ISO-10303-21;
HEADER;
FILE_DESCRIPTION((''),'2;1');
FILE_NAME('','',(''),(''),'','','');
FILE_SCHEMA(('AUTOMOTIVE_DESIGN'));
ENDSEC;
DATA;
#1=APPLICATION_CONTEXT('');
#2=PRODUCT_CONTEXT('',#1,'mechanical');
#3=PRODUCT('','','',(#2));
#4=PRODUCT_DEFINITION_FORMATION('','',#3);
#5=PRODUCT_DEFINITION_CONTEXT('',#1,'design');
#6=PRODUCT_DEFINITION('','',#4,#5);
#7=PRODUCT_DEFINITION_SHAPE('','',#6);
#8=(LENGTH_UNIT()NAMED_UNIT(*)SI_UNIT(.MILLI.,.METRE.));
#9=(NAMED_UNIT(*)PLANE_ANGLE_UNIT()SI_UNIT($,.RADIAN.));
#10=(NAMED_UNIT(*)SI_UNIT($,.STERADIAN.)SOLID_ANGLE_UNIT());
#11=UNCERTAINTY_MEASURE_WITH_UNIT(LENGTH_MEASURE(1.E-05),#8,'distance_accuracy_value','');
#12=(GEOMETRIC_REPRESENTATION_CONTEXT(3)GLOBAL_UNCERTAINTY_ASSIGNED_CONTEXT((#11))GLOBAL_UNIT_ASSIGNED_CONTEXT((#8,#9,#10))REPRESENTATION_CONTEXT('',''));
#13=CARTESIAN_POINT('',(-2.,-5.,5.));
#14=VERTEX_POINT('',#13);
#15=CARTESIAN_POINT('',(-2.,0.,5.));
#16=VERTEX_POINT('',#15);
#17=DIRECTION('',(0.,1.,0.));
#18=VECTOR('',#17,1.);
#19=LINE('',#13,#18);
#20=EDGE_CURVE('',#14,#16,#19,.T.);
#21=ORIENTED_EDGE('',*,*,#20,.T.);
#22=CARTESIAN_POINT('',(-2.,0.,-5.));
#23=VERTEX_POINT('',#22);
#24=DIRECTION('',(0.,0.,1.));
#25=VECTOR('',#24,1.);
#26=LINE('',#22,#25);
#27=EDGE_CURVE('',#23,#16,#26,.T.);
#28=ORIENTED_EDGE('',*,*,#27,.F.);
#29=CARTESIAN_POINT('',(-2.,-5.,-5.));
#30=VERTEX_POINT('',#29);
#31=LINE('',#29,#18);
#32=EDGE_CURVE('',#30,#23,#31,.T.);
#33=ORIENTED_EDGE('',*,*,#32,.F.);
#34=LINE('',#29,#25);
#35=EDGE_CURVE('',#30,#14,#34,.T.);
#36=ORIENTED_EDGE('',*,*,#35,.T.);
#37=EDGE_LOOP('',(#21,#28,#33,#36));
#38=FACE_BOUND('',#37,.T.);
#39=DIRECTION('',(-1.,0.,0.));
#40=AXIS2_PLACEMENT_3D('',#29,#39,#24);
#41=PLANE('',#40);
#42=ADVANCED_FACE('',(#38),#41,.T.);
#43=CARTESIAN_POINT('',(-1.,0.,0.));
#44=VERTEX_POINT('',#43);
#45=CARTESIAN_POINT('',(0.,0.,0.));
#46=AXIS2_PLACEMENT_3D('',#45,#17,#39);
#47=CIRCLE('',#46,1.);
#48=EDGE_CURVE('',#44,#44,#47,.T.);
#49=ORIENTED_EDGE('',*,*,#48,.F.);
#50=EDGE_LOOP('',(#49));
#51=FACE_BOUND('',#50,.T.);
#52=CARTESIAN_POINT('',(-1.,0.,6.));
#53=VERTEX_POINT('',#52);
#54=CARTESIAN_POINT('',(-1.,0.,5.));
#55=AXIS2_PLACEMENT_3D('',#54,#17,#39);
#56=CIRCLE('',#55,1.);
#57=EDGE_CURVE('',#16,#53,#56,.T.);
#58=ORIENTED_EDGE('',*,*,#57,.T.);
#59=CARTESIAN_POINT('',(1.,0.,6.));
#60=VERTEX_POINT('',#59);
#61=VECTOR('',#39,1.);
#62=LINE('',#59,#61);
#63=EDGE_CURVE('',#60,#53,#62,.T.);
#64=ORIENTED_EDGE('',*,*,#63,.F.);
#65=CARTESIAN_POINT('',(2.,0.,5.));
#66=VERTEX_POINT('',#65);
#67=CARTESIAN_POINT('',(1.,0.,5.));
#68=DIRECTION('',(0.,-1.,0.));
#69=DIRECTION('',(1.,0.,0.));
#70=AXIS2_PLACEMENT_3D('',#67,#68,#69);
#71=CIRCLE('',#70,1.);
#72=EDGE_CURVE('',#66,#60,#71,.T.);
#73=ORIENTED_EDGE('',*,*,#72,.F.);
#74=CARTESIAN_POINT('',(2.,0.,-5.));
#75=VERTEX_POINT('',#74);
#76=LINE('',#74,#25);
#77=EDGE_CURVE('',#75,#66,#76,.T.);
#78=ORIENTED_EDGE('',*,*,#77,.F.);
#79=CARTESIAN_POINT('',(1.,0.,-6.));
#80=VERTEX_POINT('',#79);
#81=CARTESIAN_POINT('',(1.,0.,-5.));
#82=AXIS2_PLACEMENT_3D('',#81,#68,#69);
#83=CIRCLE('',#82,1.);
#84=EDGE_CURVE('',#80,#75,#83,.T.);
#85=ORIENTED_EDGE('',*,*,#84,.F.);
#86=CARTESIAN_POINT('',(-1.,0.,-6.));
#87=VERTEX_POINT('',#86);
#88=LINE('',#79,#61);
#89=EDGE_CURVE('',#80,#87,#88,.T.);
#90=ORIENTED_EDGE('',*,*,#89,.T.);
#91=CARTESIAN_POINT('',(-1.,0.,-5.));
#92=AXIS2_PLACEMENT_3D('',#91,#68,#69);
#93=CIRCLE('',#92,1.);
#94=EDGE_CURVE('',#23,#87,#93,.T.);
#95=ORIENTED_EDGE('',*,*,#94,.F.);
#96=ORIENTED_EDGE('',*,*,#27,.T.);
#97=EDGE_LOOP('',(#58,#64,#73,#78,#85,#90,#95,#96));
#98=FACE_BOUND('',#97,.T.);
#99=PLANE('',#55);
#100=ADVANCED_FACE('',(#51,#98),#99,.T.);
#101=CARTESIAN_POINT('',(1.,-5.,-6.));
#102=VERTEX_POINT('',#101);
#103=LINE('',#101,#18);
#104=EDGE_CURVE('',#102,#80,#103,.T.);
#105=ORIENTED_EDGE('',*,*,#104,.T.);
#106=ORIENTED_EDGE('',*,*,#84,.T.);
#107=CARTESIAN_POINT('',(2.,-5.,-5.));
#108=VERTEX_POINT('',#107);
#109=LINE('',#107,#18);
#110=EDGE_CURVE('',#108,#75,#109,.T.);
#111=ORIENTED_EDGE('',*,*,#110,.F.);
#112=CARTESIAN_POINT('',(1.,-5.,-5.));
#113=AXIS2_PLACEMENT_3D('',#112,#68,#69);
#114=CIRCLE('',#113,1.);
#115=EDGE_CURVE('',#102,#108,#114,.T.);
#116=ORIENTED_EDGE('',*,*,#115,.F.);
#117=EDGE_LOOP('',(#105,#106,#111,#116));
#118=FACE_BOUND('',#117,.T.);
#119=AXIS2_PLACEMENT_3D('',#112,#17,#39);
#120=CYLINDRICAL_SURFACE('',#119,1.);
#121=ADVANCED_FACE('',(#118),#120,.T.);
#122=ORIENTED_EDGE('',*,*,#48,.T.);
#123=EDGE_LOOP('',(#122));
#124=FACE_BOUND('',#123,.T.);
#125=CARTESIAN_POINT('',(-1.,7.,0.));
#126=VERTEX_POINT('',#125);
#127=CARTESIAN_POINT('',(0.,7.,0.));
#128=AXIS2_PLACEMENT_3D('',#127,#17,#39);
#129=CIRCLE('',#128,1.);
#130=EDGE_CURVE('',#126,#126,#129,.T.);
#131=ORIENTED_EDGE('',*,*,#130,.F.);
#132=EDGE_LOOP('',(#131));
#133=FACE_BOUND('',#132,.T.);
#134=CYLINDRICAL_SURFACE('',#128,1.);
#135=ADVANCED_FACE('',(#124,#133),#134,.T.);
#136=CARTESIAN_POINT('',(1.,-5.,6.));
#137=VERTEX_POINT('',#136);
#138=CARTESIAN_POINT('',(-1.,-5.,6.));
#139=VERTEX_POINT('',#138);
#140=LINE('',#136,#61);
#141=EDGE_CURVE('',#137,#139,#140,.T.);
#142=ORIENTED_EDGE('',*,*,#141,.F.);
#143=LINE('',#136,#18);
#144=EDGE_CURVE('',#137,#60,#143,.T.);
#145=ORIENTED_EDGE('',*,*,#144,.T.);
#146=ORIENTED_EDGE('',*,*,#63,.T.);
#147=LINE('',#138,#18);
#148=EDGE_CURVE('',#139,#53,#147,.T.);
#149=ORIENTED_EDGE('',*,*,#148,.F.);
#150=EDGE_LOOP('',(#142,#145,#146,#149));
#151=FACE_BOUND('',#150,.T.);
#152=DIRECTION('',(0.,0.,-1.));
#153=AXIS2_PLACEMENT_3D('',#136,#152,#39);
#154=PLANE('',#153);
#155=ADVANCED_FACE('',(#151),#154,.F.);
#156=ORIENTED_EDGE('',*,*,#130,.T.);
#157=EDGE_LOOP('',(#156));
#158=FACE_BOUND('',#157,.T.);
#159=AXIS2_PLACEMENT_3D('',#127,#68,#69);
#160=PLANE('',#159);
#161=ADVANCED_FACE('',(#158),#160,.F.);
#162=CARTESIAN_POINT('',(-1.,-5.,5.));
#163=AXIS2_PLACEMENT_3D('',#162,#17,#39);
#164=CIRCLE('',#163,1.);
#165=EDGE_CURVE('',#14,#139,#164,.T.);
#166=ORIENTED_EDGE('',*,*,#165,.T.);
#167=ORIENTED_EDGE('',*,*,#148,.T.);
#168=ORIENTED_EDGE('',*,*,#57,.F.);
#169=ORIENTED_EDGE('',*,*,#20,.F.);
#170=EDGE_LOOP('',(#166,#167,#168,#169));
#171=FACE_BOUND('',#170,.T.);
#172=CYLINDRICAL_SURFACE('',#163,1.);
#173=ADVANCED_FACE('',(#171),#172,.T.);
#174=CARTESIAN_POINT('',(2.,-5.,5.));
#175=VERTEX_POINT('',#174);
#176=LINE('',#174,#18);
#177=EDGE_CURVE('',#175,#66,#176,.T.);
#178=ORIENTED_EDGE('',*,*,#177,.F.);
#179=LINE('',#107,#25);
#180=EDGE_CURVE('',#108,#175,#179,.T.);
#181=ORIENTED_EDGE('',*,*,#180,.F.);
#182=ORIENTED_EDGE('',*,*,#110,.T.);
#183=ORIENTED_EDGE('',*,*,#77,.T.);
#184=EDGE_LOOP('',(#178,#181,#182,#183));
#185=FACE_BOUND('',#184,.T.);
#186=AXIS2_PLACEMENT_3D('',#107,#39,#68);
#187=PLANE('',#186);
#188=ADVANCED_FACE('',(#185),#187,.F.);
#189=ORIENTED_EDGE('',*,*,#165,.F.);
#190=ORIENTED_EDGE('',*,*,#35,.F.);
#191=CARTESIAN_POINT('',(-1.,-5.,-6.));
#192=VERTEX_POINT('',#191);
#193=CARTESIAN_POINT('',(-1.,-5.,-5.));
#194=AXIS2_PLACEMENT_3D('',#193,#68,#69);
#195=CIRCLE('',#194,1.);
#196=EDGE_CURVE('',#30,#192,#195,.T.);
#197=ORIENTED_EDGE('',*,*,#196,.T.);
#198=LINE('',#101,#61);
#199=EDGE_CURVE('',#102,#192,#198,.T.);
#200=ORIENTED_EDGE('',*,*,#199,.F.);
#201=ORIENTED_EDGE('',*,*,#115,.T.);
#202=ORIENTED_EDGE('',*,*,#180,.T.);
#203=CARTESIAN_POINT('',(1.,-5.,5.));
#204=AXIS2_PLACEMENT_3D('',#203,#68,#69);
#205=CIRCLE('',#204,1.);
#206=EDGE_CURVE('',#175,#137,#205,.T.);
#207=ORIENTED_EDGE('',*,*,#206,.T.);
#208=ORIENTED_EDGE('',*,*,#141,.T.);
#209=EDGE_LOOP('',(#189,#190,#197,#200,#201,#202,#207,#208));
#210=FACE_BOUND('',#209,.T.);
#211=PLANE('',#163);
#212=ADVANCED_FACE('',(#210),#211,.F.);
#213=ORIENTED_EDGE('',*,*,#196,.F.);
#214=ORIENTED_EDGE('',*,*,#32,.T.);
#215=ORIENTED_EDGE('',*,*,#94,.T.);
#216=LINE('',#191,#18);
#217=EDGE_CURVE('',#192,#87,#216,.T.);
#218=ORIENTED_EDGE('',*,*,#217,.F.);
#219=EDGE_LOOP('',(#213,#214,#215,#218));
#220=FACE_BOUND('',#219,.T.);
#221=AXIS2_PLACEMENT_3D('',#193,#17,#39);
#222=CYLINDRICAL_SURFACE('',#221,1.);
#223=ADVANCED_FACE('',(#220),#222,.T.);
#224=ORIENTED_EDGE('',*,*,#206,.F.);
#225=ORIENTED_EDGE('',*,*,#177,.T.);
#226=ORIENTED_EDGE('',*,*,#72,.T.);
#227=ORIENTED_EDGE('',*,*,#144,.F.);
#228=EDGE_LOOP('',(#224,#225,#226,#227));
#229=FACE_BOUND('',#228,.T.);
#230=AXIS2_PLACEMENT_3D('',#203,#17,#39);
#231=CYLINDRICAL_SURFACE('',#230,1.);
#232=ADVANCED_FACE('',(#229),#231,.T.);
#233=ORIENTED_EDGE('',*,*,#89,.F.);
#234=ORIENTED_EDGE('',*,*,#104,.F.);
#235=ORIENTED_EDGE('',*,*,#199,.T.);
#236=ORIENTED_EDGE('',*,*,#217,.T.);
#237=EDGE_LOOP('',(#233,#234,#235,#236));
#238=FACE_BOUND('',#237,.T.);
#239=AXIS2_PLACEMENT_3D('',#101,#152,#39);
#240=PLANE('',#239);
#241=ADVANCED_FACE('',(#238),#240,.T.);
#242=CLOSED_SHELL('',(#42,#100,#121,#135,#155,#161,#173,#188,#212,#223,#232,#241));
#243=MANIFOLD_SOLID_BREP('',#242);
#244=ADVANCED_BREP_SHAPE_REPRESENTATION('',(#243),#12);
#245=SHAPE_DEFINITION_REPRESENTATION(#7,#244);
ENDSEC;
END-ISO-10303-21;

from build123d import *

# Parameters (mm, degrees)
SKETCH1_W           = 1
SKETCH1_H           = 7
BOSS_EXTRUDE1_DEPTH = 5


with BuildPart() as part:
    # Sketch1 → Revolve1 (revolve)
    with BuildSketch(Plane.XY, mode=Mode.PRIVATE) as revolve1_sk:
        with Locations((0.5, 3.5)):
            Rectangle(SKETCH1_W, SKETCH1_H)
    revolve(revolve1_sk.sketch.rotate(Axis((0, 7, 0), (0, -1, 0)), 180), axis=Axis((0, 7, 0), (0, -1, 0)))

    # Sketch2 → Boss-Extrude1 (add)
    with BuildSketch(Plane.XZ):
        with BuildLine():
            Line((1, -6), (-1, -6))
            ThreePointArc((-1, -6), (-1.707106781, -5.707106781), (-2, -5))
            Line((-2, -5), (-2, 5))
            ThreePointArc((-2, 5), (-1.707106781, 5.707106781), (-1, 6))
            Line((-1, 6), (1, 6))
            ThreePointArc((1, 6), (1.707106781, 5.707106781), (2, 5))
            Line((2, 5), (2, -5))
            ThreePointArc((2, -5), (1.707106781, -5.707106781), (1, -6))
        make_face()
    extrude(amount=BOSS_EXTRUDE1_DEPTH)


solid = part.part
